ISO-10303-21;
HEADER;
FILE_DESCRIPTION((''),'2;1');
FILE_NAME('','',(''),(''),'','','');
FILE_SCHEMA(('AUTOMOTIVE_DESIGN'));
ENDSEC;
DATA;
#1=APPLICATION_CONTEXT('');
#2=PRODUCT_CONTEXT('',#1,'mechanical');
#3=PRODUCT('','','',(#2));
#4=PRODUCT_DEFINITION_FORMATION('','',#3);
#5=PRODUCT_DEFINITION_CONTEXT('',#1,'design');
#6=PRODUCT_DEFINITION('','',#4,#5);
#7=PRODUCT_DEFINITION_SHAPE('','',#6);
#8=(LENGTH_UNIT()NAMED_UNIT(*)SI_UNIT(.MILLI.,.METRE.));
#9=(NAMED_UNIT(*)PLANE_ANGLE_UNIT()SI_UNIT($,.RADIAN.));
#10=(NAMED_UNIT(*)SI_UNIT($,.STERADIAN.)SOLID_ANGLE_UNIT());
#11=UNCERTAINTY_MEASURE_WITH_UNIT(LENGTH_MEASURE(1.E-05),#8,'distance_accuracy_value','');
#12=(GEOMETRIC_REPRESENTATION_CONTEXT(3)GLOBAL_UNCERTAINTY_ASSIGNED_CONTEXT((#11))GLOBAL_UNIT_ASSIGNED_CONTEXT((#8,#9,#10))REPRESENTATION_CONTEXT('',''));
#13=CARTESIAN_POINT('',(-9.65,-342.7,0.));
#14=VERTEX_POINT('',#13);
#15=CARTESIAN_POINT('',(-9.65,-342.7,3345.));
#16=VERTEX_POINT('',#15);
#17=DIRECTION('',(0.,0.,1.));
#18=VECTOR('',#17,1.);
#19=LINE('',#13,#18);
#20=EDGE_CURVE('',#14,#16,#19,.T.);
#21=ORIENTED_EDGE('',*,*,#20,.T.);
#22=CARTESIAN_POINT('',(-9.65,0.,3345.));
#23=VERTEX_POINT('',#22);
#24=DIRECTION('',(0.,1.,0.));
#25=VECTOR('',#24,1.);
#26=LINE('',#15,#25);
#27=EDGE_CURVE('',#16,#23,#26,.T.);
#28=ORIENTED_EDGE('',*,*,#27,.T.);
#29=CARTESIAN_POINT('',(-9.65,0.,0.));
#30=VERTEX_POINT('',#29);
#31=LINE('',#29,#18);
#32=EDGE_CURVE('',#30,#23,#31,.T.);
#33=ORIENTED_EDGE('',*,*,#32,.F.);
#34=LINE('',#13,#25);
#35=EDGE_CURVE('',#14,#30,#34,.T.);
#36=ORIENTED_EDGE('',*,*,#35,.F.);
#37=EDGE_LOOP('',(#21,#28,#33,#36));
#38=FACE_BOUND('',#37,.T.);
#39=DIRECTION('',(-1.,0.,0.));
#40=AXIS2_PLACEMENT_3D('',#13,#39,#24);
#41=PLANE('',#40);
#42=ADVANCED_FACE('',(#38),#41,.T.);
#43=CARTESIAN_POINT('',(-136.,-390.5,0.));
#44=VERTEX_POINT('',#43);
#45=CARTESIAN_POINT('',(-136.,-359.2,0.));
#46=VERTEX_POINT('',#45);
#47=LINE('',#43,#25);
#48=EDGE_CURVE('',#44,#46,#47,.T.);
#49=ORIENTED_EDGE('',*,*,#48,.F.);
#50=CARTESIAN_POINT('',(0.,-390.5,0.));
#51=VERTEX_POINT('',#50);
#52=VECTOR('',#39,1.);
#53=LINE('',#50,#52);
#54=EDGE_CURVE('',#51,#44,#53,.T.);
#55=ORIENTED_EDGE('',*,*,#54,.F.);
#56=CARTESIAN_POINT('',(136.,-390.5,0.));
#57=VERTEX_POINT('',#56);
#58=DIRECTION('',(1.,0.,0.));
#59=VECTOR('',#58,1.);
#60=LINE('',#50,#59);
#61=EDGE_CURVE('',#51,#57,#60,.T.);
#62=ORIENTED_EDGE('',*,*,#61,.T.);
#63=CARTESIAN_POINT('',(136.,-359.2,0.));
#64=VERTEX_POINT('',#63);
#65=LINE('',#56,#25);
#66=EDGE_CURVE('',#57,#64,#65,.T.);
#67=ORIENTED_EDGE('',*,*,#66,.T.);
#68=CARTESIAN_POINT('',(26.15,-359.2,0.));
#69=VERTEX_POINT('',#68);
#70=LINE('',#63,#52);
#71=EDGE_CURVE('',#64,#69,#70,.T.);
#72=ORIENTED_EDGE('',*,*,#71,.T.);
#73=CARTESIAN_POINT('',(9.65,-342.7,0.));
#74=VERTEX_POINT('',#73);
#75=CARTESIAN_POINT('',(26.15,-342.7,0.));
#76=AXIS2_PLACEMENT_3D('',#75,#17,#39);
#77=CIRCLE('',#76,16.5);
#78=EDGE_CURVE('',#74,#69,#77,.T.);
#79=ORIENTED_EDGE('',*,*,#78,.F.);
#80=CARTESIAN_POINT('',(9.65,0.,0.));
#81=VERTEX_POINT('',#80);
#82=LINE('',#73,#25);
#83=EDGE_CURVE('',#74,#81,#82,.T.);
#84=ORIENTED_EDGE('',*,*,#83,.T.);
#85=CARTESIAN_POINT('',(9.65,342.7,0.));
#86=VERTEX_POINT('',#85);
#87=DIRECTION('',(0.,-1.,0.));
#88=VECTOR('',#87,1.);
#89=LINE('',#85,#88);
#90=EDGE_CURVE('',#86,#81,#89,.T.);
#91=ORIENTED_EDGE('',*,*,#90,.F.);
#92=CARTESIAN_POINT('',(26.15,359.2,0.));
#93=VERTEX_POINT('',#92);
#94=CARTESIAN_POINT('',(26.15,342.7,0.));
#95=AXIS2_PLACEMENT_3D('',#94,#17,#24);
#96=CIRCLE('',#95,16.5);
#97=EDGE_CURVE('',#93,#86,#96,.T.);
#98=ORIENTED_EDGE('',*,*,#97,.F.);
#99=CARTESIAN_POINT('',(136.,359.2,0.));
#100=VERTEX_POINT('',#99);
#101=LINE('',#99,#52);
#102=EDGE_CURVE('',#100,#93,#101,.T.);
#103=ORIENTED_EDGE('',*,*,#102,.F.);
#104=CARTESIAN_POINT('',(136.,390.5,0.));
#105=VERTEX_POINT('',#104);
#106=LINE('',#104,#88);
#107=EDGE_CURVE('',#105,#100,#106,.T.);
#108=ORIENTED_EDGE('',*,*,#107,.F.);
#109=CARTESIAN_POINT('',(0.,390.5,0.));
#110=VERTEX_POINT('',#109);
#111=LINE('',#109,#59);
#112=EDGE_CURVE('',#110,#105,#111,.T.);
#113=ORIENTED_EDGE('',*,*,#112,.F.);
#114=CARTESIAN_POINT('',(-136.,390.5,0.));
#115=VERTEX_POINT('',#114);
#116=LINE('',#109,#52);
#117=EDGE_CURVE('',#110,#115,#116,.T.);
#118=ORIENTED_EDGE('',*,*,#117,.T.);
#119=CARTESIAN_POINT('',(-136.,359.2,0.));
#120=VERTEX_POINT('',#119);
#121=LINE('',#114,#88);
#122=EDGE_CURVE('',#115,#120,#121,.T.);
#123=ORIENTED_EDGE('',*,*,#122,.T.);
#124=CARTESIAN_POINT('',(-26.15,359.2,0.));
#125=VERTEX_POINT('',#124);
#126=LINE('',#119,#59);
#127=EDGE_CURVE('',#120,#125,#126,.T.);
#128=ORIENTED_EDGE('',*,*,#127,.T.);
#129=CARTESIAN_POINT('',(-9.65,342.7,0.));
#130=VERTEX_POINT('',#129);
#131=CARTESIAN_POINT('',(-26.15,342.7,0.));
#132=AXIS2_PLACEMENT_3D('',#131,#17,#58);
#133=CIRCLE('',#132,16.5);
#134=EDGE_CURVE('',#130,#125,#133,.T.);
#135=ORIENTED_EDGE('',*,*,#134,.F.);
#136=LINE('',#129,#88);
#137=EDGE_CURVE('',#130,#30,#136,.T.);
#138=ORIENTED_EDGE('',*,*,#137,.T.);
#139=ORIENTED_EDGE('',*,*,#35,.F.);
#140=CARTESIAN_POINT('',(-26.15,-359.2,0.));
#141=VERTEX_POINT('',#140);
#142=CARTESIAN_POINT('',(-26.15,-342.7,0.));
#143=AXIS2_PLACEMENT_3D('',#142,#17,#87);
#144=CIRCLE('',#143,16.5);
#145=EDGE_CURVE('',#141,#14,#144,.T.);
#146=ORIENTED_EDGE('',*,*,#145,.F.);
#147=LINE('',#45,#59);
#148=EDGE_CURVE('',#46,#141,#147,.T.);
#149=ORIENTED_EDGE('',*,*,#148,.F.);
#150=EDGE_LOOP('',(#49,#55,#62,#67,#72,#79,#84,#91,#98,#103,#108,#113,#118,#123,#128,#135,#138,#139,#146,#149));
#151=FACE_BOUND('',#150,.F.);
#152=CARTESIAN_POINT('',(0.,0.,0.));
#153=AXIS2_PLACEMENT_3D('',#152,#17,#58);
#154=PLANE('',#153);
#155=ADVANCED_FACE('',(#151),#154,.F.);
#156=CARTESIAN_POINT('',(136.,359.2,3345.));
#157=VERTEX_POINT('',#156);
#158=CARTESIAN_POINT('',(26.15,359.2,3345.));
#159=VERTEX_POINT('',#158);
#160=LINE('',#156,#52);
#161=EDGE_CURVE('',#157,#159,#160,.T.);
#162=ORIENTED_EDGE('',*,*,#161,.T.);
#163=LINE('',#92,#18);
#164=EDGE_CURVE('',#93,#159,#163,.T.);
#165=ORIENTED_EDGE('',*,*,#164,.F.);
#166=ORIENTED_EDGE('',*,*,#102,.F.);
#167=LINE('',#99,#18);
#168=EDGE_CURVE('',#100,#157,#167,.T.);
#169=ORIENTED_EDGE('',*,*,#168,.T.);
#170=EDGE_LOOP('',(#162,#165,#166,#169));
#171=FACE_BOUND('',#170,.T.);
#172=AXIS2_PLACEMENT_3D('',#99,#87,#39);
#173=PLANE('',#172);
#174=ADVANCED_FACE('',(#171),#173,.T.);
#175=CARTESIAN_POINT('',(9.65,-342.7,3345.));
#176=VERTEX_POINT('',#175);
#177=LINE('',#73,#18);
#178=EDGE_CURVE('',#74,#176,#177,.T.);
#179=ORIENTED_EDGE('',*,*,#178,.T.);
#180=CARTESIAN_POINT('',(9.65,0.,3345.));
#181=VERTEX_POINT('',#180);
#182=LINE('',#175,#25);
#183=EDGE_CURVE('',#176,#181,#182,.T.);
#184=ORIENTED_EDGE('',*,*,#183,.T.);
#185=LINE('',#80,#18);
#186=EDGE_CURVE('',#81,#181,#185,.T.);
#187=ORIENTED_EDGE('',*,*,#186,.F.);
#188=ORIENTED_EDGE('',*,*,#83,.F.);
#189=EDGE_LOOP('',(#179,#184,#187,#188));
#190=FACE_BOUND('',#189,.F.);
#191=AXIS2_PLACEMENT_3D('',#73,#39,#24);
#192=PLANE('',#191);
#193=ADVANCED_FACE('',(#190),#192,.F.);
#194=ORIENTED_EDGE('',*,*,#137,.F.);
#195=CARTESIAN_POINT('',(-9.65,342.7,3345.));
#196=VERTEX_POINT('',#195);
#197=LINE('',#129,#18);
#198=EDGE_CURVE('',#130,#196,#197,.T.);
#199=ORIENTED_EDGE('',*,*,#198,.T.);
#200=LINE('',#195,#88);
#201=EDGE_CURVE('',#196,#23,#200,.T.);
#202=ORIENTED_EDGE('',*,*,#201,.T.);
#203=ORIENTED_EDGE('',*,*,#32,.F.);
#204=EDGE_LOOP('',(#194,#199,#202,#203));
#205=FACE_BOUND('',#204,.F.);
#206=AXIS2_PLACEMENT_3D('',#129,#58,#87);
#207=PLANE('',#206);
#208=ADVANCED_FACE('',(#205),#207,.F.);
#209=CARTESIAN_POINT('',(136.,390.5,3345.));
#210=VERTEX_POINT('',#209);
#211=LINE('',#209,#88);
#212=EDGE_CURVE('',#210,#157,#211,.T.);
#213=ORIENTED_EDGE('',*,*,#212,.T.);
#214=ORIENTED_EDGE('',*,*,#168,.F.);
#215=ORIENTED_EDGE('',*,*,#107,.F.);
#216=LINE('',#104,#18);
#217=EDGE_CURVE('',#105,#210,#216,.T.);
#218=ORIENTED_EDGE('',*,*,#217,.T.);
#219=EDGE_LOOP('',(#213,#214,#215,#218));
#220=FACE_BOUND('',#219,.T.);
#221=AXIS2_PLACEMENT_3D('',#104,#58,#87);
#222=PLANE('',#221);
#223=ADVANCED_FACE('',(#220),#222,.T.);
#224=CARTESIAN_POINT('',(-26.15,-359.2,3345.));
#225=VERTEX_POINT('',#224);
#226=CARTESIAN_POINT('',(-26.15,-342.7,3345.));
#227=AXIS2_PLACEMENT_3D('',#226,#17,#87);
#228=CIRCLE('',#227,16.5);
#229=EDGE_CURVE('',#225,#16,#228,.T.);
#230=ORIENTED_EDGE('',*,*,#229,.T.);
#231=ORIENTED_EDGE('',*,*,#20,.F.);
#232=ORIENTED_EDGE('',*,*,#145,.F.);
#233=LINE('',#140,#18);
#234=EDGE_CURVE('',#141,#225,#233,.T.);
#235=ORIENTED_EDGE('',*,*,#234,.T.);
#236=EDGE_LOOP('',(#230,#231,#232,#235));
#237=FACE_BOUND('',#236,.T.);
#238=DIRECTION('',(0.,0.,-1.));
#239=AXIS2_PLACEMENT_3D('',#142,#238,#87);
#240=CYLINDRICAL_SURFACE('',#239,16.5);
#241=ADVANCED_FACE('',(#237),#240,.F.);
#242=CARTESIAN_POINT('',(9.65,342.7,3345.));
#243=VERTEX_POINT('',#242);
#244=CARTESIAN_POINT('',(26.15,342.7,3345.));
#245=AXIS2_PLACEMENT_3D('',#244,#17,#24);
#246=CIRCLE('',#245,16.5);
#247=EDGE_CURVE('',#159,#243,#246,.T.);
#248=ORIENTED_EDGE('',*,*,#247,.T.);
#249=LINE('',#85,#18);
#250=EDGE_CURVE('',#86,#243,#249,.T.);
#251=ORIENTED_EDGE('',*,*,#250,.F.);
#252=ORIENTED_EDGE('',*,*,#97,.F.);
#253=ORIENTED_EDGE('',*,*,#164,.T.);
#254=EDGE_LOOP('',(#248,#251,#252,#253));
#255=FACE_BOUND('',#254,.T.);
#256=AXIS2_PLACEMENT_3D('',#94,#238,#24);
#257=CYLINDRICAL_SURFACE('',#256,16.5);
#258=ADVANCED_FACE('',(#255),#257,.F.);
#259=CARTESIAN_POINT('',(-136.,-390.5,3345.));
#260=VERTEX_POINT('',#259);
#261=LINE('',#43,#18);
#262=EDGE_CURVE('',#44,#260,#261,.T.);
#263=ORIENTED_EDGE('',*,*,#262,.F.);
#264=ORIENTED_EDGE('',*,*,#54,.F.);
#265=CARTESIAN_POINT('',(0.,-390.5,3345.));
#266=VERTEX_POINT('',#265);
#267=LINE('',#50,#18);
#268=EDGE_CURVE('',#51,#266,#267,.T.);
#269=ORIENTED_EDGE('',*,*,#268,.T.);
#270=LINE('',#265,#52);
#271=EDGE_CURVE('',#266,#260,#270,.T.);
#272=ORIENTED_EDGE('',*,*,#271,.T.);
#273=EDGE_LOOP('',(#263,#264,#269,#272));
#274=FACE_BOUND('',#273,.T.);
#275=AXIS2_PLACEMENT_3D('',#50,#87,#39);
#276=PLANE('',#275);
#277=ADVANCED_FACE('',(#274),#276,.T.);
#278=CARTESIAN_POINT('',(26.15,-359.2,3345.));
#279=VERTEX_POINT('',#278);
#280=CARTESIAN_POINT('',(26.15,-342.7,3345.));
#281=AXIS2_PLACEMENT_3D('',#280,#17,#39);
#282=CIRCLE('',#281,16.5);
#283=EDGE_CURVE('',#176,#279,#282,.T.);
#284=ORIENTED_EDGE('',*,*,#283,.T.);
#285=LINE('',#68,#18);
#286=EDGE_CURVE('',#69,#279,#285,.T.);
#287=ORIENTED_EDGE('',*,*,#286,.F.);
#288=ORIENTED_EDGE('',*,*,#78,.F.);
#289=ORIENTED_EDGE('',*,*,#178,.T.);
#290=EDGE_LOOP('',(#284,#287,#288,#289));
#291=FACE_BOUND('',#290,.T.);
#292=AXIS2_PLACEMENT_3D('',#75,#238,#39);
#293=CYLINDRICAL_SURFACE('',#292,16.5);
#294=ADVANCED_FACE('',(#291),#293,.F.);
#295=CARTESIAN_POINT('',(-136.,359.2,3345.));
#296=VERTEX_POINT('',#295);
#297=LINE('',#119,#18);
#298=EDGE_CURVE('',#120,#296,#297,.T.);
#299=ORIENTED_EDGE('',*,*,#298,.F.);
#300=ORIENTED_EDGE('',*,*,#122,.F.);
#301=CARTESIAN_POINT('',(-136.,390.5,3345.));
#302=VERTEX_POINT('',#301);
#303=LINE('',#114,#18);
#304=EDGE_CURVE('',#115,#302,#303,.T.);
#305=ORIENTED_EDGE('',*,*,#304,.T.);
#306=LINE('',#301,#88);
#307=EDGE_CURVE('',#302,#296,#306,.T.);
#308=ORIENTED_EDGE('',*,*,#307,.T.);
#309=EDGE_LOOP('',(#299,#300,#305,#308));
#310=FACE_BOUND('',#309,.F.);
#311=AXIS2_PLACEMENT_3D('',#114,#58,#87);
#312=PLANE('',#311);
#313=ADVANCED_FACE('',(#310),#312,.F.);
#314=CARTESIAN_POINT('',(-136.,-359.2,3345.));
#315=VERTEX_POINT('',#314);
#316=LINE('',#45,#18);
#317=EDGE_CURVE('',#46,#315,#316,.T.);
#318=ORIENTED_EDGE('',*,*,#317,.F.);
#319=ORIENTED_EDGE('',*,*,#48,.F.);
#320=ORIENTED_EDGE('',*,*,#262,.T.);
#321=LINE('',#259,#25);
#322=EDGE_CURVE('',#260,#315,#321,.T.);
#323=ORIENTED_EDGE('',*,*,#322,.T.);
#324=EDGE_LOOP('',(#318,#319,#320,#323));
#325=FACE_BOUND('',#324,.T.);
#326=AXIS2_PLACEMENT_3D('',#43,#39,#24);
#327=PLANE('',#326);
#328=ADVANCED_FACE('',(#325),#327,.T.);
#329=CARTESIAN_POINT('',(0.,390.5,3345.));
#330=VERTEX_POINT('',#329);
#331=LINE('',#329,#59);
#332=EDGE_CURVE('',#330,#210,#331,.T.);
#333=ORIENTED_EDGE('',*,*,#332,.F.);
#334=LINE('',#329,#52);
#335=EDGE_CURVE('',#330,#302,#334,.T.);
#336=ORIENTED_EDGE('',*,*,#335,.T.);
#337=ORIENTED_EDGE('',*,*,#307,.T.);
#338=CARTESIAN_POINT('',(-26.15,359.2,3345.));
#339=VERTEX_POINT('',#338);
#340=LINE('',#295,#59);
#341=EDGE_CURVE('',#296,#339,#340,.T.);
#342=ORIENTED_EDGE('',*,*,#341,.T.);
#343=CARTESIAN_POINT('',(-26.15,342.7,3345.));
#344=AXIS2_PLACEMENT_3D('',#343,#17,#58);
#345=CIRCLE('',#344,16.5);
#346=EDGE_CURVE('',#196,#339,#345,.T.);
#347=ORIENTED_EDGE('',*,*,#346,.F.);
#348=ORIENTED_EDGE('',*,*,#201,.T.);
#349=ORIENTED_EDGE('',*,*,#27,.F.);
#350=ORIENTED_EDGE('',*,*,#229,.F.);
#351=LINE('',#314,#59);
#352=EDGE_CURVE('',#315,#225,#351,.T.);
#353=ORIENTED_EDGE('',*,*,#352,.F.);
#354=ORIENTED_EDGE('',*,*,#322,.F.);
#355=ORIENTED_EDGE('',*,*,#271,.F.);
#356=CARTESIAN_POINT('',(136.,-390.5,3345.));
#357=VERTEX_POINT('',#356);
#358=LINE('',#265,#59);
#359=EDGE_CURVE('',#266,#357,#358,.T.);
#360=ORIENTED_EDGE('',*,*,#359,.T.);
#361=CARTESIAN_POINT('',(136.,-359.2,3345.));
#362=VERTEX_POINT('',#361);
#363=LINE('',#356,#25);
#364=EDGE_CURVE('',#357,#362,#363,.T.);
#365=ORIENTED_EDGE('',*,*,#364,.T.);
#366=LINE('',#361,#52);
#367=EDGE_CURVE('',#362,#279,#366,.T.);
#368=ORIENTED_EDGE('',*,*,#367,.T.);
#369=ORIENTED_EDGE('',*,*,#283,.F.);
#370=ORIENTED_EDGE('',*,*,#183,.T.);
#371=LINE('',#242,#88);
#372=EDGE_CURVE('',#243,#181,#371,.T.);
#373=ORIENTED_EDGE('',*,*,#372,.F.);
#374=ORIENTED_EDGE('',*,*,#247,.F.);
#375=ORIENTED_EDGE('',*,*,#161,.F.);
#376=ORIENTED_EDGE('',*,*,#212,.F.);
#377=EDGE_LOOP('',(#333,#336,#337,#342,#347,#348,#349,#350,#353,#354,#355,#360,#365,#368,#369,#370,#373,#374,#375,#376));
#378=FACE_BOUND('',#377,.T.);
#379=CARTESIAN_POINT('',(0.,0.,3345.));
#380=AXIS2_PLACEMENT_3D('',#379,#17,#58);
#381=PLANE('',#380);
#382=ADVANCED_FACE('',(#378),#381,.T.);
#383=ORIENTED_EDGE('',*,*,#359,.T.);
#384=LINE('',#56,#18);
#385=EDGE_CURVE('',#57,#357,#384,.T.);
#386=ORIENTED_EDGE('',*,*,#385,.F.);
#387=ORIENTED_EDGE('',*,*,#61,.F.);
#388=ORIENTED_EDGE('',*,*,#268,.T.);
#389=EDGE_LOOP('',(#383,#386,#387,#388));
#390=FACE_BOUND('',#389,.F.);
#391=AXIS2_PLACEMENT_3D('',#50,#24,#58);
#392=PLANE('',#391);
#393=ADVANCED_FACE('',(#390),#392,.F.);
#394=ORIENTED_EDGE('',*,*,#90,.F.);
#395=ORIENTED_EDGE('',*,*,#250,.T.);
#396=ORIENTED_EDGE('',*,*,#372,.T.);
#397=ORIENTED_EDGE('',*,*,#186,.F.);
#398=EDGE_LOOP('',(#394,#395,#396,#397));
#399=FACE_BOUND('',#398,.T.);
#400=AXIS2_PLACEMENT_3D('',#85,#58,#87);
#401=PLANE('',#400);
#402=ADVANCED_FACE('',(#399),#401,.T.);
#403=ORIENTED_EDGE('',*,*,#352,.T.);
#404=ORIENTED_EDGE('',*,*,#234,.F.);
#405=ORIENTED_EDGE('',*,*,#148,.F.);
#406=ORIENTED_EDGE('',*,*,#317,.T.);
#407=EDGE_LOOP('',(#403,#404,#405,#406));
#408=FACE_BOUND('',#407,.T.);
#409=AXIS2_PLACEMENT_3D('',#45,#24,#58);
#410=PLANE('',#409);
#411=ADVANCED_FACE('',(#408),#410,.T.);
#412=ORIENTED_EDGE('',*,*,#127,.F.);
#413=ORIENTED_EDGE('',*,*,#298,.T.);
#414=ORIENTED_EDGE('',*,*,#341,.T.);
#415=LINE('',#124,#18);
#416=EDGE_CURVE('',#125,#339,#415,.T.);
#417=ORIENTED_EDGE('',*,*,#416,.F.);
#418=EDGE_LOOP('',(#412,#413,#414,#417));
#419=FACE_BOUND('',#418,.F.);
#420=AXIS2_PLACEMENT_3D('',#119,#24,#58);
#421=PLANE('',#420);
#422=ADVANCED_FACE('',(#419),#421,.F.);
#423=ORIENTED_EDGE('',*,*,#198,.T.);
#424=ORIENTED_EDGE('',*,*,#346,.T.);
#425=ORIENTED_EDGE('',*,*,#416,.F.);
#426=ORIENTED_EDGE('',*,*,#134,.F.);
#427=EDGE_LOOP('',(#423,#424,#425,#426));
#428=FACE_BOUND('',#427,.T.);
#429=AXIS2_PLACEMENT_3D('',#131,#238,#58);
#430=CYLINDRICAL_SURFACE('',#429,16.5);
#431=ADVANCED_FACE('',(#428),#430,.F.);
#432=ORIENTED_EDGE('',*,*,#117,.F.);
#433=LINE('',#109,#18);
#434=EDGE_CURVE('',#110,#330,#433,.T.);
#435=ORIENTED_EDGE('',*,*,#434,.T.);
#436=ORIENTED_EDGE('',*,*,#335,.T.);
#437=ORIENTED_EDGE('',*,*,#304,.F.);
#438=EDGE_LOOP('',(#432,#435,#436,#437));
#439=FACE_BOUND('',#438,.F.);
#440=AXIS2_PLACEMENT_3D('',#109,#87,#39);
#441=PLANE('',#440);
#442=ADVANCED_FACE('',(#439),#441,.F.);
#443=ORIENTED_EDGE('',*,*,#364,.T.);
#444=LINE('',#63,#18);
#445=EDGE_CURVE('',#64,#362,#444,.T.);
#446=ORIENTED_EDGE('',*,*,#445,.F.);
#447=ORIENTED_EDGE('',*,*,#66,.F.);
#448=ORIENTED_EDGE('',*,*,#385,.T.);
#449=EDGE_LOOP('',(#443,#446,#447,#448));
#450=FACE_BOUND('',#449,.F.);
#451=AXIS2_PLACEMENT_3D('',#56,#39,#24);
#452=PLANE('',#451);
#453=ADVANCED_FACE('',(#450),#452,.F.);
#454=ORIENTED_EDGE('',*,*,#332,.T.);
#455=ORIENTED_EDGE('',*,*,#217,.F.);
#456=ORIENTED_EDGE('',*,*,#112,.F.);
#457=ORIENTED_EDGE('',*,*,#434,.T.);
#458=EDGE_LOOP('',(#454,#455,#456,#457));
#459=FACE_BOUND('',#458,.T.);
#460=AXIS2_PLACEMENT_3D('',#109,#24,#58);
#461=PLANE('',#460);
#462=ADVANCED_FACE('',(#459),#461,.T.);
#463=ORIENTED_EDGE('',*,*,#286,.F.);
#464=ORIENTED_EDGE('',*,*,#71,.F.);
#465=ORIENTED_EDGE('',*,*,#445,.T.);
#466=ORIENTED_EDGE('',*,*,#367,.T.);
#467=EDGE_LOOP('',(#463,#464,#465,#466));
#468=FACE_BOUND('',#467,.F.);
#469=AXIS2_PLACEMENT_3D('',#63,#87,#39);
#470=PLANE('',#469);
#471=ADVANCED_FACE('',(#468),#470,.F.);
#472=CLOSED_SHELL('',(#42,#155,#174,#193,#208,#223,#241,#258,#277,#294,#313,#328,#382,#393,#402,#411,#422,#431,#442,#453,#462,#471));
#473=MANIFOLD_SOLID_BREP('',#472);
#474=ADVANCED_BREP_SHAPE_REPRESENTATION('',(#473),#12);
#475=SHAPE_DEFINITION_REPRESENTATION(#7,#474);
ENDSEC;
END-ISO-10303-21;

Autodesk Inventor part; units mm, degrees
ref_plane "YZ Plane" through (0, 0, 0) normal (1, 0, 0) x (0, 1, 0)
ref_plane "Start plane" through (0, 0, 0) normal (0, 0, 1) x (1, 0, 0)
ref_plane "End plane" through (0, 0, 3345) normal (0, 0, 1) x (1, 0, 0)
sketch "Sketch" plane through (0, 0, 0) normal (0, 0, 1) x (1, 0, 0)
  line L0 (-136, -390.5) -> (-136, -359.2)
  line L1 (-136, -359.2) -> (-26.15, -359.2)
  line L2 (-9.65, -342.7) -> (-9.65, 0)
  line L3 (-9.65, 0) -> (0, 0) construction
  line L4 (0, 0) -> (0, -390.5) construction
  line L5 (0, -390.5) -> (-136, -390.5)
  line L6 (-60, 0) -> (80, 0) construction
  line L7 (0, -60) -> (0, 80) construction
  line L8 (136, -390.5) -> (136, -359.2)
  line L9 (136, -359.2) -> (26.15, -359.2)
  line L10 (9.65, -342.7) -> (9.65, 0)
  line L11 (9.65, 0) -> (0, 0) construction
  line L12 (0, -390.5) -> (136, -390.5)
  line L13 (-136, 390.5) -> (-136, 359.2)
  line L14 (-136, 359.2) -> (-26.15, 359.2)
  line L15 (-9.65, 342.7) -> (-9.65, 0)
  line L16 (0, 390.5) -> (-136, 390.5)
  line L17 (136, 390.5) -> (136, 359.2)
  line L18 (136, 359.2) -> (26.15, 359.2)
  line L19 (0, 390.5) -> (136, 390.5)
  line L20 (9.65, 342.7) -> (9.65, 0)
  arc A0 (-9.65, 342.7) -> (-26.15, 359.2) centre (-26.15, 342.7) ccw
  arc A1 (26.15, 359.2) -> (9.65, 342.7) centre (26.15, 342.7) ccw
  arc A2 (9.65, -342.7) -> (26.15, -359.2) centre (26.15, -342.7) ccw
  arc A3 (-26.15, -359.2) -> (-9.65, -342.7) centre (-26.15, -342.7) ccw
  line L21 (0, 108) -> (0, -88) construction
  line L22 (-88, 0) -> (108, 0) construction
  point P0 (-9.65, -359.2)
  point P1 (9.65, -359.2)
  point P2 (-9.65, 359.2)
  point P3 (9.65, 359.2)
  dimension "d1" = 390.5
  dimension "d2" = 31.3
  dimension "d3" = 136
  dimension "d4" = 9.65
  dimension "d10" = 16.5
extrude "Body" add sketch "Sketch" along normal up to surface (3345 mm away) from surface at 0
sketch "Sketch4" plane through (0, 0, 0) normal (0, 0, 1) x (1, 0, 0)
  line L0 (0, 0) -> (10, 0)
ref_plane "Work Plane3" through (0, 0, 0) normal (0, -1, 0) x (1, 0, 0)
sketch "Sketch5" plane through (0, 0, 0) normal (0, -1, 0) x (1, 0, 0)
  line L0 (-2, 0) -> (12, 0) projected
  line L1 (-2, 3345) -> (12, 3345) projected
  dimension "d14" = 3345
equation "\"d1\" = 0.5 * G_H"
equation "\"d2\" = G_T1"
equation "\"d3\" = 0.5 * G_W"
equation "\"d4\" = 0.5 * G_T"
equation "\"d10\" = G_IR"
equation "\"d5\" = G_L"
equation "\"G_W\" = 272"
equation "\"G_H\" = 781"
equation "\"G_T\" = 19.3"
equation "\"G_T1\" = 31.3"
equation "\"G_IR\" = 16.5"
equation "\"G_L\" = d14"
equation "\"G_OFFSET_START\" = 0"
equation "\"G_OFFSET_END\" = 0"
equation "\"d12\" = G_OFFSET_END + B_L"
equation "\"B_L\" = 3345"
properties part number "AS 3679-1990 - 760 UB - 244 - 3345" material "Steel, Mild"
